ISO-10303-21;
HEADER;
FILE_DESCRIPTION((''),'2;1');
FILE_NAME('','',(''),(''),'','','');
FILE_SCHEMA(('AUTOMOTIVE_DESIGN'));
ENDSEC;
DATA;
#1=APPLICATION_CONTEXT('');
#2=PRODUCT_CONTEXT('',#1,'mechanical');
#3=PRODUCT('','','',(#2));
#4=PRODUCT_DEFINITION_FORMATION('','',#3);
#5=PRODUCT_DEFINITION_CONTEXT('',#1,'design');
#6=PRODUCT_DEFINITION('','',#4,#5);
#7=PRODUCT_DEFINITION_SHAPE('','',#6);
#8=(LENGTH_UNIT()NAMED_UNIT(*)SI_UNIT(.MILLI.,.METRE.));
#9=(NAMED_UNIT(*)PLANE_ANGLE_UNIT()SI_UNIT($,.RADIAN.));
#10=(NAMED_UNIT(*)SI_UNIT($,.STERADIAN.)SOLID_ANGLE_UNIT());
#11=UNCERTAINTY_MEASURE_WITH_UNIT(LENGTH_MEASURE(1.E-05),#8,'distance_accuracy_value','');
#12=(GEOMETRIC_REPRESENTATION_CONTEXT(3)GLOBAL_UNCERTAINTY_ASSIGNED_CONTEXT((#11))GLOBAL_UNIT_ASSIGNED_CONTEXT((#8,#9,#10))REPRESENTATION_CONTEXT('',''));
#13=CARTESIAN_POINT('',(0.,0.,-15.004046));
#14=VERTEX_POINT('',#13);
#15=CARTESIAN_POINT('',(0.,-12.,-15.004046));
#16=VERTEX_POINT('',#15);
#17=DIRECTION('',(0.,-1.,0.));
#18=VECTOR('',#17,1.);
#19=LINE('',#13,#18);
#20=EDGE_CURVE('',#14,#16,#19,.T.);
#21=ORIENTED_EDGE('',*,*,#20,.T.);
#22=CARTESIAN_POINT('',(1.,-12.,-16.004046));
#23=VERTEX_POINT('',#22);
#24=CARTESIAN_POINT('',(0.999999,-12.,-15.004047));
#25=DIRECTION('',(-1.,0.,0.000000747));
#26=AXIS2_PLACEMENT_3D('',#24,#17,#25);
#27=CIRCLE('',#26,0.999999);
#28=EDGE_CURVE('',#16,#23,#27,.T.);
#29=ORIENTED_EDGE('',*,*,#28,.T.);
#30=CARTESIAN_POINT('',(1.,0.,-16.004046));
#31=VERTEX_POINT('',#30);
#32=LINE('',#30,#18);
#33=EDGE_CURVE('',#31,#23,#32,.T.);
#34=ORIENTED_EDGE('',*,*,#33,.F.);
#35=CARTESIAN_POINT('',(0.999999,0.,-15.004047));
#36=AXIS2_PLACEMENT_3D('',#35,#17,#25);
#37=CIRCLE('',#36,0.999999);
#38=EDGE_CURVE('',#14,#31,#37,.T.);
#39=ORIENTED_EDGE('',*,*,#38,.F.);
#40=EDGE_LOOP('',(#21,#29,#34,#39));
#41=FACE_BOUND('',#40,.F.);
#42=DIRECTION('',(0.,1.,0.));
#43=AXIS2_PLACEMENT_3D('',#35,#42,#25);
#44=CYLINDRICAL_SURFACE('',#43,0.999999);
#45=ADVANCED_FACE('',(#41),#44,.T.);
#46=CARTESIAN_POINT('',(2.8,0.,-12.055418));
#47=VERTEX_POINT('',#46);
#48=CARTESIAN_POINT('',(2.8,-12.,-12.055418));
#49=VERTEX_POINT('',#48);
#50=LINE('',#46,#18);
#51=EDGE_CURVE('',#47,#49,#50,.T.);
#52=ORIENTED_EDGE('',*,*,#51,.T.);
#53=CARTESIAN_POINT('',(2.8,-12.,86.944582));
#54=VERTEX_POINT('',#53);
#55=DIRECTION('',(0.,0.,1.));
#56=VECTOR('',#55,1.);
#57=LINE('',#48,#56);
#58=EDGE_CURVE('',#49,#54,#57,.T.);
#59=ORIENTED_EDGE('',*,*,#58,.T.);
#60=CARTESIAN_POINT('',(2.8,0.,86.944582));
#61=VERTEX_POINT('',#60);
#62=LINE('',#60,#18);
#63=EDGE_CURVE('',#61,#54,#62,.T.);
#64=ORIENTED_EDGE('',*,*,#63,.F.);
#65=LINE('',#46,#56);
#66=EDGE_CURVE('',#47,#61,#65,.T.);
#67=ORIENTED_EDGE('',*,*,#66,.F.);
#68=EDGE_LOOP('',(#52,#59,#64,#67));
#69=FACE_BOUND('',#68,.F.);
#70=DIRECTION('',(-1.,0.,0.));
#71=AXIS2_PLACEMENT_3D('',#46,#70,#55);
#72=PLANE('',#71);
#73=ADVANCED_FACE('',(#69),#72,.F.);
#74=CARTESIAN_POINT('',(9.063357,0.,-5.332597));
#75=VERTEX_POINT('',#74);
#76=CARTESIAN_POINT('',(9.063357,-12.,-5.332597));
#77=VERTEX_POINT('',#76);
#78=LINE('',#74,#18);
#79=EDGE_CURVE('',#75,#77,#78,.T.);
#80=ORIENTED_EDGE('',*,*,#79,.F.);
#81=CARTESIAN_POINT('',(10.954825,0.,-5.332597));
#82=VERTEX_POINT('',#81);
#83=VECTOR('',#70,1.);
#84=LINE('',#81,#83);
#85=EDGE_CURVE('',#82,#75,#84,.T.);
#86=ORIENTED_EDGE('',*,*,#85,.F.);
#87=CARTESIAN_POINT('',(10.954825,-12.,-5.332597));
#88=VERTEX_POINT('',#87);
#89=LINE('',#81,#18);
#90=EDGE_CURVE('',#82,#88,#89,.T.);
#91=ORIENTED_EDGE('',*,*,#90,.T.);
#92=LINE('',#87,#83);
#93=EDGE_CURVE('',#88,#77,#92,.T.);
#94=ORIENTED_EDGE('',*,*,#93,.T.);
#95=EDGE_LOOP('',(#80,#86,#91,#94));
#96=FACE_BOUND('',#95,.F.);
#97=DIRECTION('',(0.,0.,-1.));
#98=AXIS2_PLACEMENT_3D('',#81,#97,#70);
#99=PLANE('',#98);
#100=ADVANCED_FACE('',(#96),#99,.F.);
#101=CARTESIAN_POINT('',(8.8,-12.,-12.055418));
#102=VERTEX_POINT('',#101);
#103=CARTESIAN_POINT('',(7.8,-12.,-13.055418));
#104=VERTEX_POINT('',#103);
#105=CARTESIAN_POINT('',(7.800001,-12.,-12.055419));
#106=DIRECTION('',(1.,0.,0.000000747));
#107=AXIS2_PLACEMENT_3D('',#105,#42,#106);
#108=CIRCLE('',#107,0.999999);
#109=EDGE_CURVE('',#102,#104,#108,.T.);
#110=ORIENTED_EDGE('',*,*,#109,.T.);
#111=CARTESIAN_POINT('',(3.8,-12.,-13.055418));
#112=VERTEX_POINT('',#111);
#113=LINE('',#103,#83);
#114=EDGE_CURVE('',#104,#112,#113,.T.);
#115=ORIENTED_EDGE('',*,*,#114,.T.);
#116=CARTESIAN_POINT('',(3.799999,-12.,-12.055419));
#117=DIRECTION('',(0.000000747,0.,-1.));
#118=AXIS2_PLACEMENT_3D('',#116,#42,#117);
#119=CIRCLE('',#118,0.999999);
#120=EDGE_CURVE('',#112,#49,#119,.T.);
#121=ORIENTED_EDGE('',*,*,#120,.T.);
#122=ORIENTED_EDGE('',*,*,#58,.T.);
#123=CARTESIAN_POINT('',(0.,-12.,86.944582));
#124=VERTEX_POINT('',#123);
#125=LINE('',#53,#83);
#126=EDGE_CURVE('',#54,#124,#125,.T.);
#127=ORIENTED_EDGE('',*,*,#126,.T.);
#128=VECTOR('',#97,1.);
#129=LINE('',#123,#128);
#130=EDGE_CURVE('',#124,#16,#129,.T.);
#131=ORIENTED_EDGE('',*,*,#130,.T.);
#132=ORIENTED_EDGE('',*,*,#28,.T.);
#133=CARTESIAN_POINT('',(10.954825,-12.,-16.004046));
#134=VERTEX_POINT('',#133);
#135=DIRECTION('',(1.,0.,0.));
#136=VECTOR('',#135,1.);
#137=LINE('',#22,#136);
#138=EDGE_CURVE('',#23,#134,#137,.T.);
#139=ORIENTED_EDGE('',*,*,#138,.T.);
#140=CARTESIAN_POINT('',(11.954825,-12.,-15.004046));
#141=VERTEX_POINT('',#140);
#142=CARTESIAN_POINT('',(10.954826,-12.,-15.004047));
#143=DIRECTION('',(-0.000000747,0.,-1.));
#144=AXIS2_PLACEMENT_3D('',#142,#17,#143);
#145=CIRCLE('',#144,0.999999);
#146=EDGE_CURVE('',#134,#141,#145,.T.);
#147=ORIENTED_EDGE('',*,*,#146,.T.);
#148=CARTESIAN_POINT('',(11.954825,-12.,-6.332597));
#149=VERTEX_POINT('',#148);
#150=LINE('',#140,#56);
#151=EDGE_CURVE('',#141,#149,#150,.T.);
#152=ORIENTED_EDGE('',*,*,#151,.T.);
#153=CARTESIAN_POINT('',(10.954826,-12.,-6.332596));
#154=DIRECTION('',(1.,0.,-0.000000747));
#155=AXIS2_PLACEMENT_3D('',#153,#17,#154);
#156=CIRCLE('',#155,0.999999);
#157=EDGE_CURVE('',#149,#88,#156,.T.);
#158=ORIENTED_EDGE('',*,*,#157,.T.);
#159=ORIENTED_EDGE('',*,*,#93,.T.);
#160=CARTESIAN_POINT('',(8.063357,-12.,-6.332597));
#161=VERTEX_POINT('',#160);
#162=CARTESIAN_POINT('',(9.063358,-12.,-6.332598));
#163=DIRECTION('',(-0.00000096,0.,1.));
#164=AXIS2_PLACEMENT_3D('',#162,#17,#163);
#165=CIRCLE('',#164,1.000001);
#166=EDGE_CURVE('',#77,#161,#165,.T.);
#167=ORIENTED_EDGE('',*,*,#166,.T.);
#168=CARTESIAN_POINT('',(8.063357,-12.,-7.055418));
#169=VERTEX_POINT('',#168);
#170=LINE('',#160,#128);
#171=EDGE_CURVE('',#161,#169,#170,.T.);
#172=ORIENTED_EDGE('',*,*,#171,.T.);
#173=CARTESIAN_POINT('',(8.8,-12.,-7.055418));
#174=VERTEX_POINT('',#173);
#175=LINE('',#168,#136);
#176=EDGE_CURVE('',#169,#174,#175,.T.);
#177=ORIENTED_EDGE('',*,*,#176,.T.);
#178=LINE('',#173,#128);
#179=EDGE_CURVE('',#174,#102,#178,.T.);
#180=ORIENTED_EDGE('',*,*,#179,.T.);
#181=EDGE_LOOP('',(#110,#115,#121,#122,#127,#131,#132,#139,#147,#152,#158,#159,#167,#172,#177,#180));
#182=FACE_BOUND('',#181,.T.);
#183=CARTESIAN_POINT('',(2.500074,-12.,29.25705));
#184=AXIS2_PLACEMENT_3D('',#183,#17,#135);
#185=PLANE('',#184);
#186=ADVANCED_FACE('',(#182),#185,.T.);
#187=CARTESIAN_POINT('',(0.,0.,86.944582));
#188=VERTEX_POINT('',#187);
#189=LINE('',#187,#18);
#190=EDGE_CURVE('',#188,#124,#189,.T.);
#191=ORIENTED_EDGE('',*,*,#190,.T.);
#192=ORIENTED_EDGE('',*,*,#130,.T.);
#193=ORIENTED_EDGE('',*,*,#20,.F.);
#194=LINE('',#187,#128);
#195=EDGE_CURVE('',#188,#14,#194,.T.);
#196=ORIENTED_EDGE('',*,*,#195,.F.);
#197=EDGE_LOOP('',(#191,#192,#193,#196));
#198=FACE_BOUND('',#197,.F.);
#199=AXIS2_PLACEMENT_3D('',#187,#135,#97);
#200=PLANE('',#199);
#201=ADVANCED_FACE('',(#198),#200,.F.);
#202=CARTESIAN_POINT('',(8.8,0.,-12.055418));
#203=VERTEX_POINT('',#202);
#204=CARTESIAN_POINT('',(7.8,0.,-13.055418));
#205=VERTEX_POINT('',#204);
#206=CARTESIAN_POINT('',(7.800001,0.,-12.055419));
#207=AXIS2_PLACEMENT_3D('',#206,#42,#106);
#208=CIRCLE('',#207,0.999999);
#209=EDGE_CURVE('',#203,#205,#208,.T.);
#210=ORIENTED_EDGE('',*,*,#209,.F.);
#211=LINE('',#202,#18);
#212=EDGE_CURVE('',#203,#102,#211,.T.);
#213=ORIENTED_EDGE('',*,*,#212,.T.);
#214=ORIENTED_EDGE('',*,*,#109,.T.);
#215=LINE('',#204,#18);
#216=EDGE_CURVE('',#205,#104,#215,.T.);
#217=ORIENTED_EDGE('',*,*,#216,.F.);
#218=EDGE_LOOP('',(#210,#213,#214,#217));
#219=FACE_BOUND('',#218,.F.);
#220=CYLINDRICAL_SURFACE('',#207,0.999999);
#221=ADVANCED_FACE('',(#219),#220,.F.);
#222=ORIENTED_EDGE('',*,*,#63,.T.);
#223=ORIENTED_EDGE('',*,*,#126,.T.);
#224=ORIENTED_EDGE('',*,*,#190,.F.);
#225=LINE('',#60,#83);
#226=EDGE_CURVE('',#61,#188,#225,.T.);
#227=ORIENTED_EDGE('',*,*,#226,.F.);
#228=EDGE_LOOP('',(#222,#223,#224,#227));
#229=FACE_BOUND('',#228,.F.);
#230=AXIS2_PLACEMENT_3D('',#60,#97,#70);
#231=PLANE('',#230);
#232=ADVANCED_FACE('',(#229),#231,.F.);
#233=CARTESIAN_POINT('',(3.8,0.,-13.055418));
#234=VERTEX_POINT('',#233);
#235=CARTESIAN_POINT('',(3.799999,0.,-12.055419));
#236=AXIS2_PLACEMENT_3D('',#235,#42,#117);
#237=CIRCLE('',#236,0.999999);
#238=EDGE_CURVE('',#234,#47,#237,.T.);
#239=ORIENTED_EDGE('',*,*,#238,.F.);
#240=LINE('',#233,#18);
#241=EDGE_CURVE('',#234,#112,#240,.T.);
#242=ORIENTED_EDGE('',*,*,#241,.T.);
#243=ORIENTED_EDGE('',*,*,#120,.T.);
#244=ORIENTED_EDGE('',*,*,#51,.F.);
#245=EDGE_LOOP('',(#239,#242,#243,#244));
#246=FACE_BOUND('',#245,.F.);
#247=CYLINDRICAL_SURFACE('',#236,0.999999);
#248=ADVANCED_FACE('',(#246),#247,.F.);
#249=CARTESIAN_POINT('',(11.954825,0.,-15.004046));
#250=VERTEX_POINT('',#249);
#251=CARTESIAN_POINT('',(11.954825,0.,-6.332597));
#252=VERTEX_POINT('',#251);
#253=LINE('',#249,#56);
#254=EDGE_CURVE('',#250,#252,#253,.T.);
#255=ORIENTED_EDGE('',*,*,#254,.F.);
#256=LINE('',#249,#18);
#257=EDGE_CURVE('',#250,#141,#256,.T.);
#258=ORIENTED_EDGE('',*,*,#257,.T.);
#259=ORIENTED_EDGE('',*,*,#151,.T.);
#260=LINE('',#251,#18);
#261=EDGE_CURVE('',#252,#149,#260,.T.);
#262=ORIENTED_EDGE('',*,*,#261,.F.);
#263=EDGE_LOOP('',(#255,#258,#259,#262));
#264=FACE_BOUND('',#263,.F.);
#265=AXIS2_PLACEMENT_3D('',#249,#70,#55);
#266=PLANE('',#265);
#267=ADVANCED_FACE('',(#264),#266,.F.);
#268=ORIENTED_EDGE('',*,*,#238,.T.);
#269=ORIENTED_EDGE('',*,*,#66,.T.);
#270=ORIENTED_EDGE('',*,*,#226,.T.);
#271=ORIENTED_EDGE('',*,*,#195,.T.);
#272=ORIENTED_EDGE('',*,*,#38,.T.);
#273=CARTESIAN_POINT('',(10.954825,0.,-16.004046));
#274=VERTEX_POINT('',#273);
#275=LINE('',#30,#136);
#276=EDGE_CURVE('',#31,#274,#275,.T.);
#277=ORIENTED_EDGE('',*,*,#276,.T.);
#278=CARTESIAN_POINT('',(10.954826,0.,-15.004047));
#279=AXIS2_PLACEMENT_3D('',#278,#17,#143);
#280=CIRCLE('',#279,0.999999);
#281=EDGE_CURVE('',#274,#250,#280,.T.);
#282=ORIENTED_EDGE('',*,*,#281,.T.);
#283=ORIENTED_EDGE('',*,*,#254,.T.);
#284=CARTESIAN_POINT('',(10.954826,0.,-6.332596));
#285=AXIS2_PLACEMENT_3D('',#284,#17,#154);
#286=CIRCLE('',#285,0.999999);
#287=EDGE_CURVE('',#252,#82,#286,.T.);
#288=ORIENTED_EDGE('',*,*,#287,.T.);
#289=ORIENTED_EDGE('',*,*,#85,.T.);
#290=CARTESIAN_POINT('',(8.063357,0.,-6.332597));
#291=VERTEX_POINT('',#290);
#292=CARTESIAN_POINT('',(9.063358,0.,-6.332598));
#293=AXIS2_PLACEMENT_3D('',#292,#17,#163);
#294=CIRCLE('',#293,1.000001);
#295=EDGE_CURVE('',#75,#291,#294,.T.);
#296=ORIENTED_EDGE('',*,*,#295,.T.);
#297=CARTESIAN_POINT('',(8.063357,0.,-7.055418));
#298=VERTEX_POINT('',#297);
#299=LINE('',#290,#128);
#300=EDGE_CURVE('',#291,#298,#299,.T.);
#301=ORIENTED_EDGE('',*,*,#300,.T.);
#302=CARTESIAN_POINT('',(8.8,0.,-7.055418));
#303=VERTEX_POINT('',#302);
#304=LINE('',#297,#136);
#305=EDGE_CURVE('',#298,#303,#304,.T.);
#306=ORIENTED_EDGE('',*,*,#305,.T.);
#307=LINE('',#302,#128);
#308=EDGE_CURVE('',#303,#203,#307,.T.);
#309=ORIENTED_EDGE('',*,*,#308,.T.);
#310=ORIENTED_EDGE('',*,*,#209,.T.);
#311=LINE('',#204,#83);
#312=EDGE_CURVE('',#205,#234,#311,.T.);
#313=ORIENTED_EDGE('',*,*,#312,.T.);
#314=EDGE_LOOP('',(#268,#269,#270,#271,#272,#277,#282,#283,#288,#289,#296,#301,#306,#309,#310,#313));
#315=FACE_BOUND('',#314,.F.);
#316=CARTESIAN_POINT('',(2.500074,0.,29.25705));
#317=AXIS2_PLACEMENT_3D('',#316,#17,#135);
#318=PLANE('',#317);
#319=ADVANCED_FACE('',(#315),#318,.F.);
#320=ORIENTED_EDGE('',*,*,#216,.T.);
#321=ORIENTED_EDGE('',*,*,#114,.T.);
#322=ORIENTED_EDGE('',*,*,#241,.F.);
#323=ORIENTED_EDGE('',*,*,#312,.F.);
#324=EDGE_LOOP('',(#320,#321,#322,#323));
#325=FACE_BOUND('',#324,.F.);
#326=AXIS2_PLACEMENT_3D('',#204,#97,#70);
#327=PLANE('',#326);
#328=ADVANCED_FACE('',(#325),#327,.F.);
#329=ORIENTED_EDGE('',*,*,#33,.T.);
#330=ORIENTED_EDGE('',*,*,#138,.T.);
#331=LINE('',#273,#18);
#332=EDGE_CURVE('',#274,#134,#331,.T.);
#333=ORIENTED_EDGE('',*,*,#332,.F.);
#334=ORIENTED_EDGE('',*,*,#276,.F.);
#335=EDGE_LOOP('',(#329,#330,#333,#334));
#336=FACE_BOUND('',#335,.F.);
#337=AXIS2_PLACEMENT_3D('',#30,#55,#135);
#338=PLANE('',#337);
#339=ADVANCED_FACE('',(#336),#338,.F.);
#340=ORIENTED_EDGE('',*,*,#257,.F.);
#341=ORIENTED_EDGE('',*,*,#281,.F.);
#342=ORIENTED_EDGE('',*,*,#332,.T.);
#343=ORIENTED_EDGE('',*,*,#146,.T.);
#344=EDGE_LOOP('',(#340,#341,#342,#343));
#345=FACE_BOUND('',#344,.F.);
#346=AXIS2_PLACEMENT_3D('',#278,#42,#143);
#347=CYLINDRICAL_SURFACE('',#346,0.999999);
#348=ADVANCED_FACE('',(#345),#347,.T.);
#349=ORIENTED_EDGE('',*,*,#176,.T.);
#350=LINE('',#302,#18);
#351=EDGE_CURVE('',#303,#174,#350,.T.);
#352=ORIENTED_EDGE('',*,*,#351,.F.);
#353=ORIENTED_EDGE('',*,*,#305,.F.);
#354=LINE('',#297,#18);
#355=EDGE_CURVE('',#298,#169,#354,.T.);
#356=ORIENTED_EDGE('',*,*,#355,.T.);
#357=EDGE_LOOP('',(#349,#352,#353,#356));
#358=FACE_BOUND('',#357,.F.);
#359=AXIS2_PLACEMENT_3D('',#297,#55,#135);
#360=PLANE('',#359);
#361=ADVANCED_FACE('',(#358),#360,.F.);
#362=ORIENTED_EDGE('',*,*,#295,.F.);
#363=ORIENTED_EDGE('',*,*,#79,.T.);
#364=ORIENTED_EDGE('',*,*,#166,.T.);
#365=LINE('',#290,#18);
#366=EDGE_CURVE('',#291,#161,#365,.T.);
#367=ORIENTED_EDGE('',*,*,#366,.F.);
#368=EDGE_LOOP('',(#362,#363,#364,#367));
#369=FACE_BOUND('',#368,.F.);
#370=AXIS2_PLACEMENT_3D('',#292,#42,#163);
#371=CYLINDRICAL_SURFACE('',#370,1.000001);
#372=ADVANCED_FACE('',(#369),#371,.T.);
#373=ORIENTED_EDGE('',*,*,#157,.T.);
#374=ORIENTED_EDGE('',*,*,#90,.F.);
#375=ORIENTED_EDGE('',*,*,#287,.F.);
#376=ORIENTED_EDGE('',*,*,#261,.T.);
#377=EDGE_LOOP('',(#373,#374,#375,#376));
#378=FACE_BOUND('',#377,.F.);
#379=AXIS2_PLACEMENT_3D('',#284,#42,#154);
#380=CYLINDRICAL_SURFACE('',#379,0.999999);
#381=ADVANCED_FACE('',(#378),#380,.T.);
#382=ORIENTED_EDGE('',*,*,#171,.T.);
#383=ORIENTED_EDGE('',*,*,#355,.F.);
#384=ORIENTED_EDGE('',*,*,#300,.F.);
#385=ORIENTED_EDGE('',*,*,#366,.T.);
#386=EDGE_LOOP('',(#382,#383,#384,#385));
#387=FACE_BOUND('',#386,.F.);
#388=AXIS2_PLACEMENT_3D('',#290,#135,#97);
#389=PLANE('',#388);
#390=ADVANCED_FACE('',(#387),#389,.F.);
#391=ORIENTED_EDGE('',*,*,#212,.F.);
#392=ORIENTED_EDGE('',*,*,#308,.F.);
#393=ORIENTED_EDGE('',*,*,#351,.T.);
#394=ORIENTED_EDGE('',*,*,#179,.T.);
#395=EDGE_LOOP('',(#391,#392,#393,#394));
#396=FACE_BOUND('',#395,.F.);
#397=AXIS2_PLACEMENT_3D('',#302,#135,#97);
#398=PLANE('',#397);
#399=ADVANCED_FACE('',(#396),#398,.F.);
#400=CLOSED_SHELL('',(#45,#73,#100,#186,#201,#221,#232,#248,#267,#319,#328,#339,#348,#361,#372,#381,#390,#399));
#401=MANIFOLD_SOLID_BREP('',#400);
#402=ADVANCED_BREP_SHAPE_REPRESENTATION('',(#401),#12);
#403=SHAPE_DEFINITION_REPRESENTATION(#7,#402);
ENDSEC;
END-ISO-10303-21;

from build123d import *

# Parameters (mm, degrees)
F1_DEPTH = 12


with BuildPart() as f1:
    # F0 (on Front) → F1 (new body)
    with BuildSketch(Plane.XZ):
        with BuildLine():
            Line((2.8, 86.944582), (0, 86.944582))
            Line((0, 86.944582), (0, -13.055418))
            Line((0, -13.055418), (0, -15.004046))
            ThreePointArc((0, -15.004046), (0.292893, -15.711153), (1, -16.004046))
            Line((1, -16.004046), (10.954825, -16.004046))
            ThreePointArc((10.954825, -16.004046), (11.661932, -15.711153), (11.954825, -15.004046))
            Line((11.954825, -15.004046), (11.954825, -13.055418))
            Line((11.954825, -13.055418), (11.954825, -6.332597))
            ThreePointArc((11.954825, -6.332597), (11.661932, -5.62549), (10.954825, -5.332597))
            Line((10.954825, -5.332597), (9.063357, -5.332597))
            ThreePointArc((9.063357, -5.332597), (8.356251, -5.62549), (8.063357, -6.332597))
            Line((8.063357, -6.332597), (8.063357, -7.055418))
            Line((8.063357, -7.055418), (8.8, -7.055418))
            Line((8.8, -7.055418), (8.8, -12.055418))
            ThreePointArc((8.8, -12.055418), (8.507107, -12.762525), (7.8, -13.055418))
            Line((7.8, -13.055418), (3.8, -13.055418))
            ThreePointArc((3.8, -13.055418), (3.092893, -12.762525), (2.8, -12.055418))
            Line((2.8, -12.055418), (2.8, 86.944582))
        make_face()
    extrude(amount=F1_DEPTH)


solid = f1.part
